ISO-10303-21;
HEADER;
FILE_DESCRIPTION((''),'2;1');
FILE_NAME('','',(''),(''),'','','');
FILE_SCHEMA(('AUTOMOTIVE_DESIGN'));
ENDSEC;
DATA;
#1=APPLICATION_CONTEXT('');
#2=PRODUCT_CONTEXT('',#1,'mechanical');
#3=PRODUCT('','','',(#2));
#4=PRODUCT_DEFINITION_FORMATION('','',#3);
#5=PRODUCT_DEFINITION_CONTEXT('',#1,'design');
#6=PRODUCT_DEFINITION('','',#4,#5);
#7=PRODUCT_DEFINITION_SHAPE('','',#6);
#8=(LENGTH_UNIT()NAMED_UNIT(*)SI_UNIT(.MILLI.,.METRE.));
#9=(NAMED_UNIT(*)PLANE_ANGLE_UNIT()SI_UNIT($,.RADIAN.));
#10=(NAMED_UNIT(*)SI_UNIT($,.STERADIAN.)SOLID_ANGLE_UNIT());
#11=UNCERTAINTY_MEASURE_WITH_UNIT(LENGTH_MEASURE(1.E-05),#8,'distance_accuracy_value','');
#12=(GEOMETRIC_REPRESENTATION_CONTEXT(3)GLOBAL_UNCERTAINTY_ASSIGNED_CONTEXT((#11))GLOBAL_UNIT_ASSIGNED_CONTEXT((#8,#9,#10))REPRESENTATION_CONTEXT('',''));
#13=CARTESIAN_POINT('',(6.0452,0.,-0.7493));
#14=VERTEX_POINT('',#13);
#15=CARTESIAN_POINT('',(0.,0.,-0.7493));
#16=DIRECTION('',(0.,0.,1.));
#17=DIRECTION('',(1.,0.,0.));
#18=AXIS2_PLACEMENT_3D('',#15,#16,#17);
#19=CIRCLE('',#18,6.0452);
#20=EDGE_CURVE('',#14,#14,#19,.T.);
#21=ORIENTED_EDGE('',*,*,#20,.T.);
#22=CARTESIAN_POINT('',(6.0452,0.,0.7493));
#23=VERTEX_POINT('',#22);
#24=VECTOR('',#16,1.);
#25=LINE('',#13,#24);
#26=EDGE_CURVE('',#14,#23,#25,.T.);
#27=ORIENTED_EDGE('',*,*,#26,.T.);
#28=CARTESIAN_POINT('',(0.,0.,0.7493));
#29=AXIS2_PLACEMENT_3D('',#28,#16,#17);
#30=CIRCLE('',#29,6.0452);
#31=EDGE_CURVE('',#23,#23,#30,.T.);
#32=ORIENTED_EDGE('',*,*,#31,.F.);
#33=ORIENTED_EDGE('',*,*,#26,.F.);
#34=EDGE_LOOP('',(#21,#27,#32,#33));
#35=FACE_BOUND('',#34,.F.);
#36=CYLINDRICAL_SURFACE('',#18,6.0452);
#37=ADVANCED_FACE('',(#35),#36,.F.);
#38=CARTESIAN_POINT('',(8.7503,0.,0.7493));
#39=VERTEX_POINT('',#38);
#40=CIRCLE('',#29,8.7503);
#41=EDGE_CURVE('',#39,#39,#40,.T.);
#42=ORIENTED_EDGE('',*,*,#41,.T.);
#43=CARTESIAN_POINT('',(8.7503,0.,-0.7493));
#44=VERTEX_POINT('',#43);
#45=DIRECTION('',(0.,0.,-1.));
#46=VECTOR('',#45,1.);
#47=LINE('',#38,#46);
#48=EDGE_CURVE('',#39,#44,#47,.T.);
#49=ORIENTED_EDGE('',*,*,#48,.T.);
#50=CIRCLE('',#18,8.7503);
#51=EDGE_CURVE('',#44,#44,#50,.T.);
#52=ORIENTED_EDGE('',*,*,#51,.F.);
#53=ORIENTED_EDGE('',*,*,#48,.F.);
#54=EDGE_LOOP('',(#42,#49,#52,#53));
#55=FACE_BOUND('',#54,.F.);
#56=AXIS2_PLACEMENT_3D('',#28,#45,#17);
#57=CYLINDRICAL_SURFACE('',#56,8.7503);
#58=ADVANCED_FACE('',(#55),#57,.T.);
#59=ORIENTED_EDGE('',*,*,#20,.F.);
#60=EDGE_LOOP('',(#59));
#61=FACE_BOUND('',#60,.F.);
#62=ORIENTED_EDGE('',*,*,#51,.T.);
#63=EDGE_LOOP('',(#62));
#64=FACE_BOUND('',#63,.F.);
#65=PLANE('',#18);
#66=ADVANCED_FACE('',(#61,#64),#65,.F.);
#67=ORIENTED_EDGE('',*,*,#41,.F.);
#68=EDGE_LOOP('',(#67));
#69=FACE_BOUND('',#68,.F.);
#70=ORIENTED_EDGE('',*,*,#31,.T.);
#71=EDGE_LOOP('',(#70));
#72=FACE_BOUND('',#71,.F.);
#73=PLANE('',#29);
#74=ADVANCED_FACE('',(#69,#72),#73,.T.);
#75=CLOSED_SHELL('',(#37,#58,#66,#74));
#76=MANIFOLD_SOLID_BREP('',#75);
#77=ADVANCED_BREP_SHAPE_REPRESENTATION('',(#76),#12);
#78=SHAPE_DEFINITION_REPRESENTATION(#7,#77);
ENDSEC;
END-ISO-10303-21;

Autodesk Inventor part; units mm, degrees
sketch "Sketch_1" plane through (0, 0, 0) normal (0, 1, 0) x (-1, 0, 0)
  line L0 (0, 0.7493) -> (0, -0.7493)
  line L1 (-6.0452, 0.7493) -> (-8.7503, 0.7493)
  line L2 (-8.7503, 0.7493) -> (-8.7503, -0.7493)
  line L3 (-8.7503, -0.7493) -> (-6.0452, -0.7493)
  line L4 (-6.0452, -0.7493) -> (-6.0452, 0.7493)
revolve "Revolution1" add sketch "Sketch_1" angle 360 about axis through (0, 0, 0.7493) along (0, 0, 1)
ref_plane "o_ring_XY" through (0, 0, 0.7493) normal (0, 0, 1) x (1, 0, 0)
ref_plane "o_ring_YZ" through (0, 0, 0.7493) normal (1, 0, 0) x (0, 1, 0)
ref_plane "o_ring_ZX" through (0, 0, 0.7493) normal (0, 1, 0) x (0, 0, 1)
ref_plane "o_ring_new_XY" through (0, 0, -0.7493) normal (0, 0, 1) x (1, 0, 0)
ref_plane "o_ring_new_YZ" through (0, 0, -0.7493) normal (1, 0, 0) x (0, 1, 0)
ref_plane "o_ring_new_ZX" through (0, 0, -0.7493) normal (0, 1, 0) x (0, 0, 1)
properties part number "AT401P(WT)"
